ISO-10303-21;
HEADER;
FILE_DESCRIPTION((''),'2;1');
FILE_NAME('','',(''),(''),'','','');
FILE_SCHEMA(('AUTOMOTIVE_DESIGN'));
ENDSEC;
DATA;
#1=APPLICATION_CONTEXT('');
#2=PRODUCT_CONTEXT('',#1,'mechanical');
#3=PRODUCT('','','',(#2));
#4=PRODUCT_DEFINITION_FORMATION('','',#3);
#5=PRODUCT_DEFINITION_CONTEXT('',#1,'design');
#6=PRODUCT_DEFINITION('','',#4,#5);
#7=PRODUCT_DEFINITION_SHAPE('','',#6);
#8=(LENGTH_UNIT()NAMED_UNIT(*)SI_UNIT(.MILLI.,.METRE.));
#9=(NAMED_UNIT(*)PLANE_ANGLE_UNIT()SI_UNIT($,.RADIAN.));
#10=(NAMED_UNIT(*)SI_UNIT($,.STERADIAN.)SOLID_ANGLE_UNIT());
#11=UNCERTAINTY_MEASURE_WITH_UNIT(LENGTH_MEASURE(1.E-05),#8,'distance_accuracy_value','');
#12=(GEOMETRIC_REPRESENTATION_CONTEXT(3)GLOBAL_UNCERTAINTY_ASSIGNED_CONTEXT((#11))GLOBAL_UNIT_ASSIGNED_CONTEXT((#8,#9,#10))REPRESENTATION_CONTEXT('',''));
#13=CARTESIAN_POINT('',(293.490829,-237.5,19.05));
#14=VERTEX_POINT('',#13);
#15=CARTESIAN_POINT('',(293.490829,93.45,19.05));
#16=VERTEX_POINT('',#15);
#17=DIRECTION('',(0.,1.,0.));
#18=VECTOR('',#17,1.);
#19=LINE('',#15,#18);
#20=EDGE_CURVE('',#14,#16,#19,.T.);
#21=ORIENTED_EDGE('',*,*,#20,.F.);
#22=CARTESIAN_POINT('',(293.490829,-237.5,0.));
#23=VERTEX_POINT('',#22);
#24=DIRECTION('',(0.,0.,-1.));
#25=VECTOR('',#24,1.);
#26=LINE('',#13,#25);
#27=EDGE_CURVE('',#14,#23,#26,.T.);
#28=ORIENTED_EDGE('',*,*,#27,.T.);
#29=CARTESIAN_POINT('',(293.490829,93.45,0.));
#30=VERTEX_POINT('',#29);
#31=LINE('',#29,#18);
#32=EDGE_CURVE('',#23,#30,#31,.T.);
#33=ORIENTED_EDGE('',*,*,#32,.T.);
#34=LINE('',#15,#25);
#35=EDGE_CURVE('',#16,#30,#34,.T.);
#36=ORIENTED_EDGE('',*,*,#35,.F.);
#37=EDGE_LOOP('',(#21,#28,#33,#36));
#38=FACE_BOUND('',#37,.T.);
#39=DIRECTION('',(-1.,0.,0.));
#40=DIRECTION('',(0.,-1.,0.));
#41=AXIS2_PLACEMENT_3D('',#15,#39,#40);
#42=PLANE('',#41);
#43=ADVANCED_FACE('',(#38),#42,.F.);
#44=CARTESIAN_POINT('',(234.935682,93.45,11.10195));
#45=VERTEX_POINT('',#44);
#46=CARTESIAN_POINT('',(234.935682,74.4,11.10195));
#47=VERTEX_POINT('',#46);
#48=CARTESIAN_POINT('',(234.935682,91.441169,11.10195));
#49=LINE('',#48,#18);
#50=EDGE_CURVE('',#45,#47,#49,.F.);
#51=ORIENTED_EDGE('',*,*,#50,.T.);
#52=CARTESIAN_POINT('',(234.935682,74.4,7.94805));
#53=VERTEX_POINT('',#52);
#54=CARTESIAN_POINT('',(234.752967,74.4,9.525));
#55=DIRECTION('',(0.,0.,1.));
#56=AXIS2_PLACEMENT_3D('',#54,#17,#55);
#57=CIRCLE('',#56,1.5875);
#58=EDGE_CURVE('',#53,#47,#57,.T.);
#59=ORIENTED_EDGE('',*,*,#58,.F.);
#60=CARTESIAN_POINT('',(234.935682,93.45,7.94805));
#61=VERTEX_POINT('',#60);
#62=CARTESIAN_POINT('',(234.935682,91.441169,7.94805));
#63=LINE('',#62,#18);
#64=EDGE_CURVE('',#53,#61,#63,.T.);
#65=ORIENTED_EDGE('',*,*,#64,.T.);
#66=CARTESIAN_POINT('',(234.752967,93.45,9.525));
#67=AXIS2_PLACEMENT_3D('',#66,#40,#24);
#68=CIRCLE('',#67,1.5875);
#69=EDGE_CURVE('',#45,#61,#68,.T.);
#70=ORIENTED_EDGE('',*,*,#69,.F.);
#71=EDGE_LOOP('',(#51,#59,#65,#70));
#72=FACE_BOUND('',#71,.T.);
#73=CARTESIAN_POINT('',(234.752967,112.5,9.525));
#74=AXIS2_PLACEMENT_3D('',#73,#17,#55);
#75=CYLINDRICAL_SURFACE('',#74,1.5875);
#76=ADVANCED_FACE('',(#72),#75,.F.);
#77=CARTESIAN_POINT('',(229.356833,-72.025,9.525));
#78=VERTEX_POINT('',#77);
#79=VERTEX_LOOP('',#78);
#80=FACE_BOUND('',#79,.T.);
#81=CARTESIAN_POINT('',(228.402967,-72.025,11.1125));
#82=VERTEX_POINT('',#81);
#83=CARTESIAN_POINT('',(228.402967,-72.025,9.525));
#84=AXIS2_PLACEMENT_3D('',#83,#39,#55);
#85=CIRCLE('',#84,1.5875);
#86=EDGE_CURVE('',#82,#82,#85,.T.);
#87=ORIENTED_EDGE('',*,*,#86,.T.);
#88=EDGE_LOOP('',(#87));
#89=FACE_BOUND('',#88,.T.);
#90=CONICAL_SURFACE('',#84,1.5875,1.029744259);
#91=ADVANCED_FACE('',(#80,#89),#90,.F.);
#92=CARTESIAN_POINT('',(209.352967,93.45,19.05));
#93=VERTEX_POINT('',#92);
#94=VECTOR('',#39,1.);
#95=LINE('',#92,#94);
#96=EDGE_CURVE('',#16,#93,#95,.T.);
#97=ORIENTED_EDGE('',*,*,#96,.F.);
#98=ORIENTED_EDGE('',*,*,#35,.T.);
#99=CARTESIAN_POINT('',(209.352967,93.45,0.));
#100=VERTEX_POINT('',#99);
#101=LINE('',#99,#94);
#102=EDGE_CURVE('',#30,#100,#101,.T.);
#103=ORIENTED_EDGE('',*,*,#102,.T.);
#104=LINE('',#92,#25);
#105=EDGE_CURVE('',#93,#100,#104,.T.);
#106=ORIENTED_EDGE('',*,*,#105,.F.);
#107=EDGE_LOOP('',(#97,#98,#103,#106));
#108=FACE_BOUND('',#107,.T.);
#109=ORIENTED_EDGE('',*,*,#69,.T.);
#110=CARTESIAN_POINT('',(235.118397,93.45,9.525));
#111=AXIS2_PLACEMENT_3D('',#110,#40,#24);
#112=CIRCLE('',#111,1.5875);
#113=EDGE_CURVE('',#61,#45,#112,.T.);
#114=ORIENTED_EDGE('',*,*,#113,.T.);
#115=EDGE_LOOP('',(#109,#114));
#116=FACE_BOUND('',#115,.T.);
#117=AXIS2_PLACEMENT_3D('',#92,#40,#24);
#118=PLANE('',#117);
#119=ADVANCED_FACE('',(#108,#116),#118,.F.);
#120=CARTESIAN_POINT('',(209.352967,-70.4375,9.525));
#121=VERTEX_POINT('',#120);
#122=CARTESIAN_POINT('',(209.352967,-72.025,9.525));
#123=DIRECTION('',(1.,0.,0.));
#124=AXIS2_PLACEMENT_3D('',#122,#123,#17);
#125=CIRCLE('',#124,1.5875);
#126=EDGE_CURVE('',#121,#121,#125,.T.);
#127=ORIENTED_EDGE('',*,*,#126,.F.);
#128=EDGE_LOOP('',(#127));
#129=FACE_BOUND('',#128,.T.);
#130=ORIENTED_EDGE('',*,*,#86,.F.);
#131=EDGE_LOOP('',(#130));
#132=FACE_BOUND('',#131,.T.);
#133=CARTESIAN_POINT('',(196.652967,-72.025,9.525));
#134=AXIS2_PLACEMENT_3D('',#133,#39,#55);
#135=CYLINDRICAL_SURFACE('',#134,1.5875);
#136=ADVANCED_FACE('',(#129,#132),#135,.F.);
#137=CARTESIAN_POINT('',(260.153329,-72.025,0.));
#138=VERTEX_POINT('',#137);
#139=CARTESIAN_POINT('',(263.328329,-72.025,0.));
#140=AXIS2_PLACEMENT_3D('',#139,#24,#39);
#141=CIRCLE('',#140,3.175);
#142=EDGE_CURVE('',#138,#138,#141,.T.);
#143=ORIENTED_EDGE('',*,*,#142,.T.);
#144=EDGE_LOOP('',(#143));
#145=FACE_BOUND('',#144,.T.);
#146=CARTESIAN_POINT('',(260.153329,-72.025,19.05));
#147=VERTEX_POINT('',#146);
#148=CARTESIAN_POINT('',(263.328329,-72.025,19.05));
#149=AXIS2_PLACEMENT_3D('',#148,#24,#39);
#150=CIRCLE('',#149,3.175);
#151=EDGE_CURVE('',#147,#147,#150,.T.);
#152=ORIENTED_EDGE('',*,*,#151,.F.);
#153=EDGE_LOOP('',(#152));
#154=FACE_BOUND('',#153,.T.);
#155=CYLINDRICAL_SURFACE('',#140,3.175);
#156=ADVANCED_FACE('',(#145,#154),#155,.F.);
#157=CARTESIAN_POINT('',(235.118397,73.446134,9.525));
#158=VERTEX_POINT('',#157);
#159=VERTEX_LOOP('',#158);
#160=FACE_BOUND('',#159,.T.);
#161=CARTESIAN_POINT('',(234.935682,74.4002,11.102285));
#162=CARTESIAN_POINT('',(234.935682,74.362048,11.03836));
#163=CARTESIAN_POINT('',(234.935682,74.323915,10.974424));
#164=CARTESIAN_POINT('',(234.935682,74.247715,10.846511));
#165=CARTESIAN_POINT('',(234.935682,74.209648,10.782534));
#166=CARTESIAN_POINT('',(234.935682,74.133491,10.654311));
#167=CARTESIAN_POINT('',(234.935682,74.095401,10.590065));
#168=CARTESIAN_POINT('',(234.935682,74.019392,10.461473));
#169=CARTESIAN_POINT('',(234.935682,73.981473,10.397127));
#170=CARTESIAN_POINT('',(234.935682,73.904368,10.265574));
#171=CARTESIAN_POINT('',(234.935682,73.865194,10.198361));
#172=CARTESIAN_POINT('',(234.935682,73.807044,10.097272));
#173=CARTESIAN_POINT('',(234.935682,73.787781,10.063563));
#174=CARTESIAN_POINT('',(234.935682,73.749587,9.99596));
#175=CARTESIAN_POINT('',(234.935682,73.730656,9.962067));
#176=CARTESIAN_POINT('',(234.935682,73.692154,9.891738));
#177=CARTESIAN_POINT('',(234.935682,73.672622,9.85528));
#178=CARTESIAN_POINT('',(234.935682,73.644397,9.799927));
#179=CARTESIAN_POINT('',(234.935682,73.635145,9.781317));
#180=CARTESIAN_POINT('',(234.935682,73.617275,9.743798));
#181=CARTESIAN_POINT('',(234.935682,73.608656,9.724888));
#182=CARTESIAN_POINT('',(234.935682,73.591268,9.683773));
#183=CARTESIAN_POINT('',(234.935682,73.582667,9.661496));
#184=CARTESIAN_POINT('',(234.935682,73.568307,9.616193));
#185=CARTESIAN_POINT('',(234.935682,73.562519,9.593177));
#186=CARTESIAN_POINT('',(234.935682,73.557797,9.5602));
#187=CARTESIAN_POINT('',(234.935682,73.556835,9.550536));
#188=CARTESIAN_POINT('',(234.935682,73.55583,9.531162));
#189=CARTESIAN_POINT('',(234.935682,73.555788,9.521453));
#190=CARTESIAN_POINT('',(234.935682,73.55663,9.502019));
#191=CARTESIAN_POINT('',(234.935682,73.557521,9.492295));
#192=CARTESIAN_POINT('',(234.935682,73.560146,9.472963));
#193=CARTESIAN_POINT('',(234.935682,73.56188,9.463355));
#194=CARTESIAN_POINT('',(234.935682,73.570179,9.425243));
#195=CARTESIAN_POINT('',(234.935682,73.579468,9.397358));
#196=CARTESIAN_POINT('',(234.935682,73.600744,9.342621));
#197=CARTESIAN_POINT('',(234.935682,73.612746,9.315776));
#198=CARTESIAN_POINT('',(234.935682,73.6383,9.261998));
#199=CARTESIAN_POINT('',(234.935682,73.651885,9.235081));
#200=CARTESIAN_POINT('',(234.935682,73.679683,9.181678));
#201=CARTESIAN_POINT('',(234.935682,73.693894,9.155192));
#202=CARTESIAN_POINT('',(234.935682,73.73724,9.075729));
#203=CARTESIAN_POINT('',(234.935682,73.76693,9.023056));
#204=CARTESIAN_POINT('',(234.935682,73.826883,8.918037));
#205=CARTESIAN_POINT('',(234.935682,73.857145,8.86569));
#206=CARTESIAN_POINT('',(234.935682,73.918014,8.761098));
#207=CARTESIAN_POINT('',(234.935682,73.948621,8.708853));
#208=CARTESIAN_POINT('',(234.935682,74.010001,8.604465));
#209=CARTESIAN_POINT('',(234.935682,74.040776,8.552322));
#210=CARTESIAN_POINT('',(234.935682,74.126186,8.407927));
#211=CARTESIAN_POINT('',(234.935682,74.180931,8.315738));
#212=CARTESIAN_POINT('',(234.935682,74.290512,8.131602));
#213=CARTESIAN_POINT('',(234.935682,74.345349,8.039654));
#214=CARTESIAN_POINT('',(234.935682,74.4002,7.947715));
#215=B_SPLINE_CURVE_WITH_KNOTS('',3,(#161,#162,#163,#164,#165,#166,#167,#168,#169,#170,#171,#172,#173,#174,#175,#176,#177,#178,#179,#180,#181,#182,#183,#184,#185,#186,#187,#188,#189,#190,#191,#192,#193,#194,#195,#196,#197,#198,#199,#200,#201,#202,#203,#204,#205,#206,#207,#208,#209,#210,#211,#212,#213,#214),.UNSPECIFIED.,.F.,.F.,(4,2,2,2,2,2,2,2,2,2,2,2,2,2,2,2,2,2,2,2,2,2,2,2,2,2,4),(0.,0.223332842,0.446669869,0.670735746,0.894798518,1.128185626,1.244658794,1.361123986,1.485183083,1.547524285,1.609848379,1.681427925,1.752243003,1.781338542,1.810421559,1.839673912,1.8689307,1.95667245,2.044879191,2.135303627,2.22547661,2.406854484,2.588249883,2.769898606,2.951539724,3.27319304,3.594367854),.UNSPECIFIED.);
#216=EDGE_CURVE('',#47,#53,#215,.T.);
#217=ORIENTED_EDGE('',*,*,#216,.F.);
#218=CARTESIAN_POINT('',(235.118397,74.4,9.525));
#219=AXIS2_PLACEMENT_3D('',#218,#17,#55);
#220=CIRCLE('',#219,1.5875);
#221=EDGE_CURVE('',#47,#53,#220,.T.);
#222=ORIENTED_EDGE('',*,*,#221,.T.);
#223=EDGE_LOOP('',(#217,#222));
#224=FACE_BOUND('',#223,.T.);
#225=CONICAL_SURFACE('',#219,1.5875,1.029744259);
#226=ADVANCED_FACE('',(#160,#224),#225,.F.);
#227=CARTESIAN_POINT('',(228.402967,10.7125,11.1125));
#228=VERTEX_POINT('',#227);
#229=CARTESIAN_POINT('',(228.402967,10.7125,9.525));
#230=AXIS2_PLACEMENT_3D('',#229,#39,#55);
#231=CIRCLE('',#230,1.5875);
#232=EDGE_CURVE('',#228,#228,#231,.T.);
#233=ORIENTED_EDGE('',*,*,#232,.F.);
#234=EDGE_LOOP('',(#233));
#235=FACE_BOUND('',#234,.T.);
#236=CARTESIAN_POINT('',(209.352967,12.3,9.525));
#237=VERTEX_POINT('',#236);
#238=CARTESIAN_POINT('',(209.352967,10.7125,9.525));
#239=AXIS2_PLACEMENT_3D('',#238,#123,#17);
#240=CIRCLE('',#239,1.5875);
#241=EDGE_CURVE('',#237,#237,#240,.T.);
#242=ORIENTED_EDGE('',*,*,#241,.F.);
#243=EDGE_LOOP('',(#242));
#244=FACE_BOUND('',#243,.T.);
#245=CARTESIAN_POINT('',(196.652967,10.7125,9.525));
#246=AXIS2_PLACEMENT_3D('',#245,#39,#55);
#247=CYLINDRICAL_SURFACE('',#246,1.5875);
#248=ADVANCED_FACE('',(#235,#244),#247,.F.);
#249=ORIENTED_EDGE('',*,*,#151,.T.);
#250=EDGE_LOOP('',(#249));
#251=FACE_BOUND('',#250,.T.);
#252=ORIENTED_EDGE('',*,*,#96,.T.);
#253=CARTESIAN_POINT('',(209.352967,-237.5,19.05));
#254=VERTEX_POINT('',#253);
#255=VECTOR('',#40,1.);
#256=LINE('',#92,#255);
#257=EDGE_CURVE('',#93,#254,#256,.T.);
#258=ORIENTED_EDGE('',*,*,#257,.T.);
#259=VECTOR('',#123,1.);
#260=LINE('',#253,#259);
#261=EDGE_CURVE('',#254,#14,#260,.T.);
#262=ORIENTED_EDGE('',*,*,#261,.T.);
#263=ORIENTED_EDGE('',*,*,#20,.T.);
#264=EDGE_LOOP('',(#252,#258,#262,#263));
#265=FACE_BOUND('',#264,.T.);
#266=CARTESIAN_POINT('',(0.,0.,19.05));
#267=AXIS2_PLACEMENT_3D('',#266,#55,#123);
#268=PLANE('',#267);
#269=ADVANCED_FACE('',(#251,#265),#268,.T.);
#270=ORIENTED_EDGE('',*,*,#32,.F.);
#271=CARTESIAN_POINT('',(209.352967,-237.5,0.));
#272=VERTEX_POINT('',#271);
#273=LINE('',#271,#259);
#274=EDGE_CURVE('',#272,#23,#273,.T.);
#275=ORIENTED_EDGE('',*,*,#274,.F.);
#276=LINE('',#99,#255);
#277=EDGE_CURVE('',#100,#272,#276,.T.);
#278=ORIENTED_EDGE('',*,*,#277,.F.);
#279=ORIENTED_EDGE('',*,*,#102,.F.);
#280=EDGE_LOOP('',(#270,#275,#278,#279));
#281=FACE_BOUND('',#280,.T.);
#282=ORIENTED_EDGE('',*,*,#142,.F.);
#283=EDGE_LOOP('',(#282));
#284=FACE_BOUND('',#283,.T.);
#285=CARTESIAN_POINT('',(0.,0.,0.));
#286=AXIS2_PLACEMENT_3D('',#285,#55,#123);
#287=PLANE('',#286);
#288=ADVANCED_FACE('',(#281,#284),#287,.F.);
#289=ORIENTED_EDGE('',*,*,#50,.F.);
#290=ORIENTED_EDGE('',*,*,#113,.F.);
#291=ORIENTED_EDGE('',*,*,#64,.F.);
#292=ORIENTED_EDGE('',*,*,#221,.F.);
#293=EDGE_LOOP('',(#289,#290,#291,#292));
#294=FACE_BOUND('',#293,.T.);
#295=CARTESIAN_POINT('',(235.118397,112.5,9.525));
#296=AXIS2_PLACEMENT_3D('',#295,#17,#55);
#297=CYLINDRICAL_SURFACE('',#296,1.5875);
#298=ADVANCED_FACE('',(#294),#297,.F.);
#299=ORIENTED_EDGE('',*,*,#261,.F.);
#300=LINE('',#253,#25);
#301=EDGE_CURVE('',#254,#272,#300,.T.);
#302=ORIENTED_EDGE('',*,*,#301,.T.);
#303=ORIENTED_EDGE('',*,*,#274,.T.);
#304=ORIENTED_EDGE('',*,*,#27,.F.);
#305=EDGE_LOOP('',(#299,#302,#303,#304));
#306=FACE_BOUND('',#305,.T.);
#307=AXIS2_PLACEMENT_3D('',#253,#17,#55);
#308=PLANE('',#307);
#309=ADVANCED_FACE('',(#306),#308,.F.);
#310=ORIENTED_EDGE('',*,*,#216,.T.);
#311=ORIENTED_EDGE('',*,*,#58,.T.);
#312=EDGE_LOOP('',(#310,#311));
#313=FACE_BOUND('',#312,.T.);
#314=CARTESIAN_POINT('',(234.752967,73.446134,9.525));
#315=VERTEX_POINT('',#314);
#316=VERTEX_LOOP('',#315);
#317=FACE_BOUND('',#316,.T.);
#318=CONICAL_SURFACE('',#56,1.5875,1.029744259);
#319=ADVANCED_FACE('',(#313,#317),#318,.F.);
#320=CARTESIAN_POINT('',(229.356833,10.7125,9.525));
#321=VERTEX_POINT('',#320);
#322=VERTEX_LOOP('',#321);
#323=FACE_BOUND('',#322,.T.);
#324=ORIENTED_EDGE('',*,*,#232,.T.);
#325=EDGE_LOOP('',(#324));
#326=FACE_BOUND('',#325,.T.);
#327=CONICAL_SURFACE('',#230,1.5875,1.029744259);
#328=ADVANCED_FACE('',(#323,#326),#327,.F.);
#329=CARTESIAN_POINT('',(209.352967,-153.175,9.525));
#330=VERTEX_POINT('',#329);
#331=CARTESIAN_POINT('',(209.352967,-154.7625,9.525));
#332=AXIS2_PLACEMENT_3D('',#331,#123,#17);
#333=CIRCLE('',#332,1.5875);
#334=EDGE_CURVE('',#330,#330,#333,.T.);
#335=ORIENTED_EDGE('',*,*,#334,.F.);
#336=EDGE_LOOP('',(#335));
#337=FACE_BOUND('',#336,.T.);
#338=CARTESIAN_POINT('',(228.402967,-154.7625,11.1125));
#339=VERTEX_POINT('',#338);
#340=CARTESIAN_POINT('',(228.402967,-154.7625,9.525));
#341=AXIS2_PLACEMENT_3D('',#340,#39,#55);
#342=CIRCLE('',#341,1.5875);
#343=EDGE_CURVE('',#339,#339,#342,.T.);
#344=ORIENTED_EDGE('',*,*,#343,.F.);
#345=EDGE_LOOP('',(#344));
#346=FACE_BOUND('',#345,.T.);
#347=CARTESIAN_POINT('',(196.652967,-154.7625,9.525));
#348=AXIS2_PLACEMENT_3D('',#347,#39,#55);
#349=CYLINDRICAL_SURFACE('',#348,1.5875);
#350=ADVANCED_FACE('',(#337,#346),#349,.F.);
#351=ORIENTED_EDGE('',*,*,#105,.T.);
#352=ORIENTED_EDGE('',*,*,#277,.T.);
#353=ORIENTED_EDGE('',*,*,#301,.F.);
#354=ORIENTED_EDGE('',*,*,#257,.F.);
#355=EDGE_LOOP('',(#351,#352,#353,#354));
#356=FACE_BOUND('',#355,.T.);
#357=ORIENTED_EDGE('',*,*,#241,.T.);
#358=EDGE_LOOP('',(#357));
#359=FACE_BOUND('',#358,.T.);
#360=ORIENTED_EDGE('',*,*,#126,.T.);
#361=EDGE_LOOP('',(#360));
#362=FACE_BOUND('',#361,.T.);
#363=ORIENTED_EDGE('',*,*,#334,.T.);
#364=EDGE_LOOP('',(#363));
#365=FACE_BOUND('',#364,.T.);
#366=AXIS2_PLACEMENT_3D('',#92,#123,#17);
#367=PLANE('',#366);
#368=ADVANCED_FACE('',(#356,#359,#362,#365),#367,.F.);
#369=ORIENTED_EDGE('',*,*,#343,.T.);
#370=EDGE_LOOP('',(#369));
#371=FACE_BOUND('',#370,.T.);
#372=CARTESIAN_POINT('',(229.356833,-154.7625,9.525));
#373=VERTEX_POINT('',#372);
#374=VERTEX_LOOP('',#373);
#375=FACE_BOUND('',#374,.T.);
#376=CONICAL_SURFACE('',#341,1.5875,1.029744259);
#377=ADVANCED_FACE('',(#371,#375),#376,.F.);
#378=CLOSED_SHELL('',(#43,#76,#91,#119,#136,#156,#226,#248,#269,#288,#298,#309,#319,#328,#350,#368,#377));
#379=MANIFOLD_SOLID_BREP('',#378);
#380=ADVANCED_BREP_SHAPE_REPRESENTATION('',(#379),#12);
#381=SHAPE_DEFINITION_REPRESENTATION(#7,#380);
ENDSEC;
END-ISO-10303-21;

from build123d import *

# Parameters (mm, degrees)
SKETCH1_W                   = 84.137862113
SKETCH1_H                   = 330.949999988
BOSS_EXTRUDE1_DEPTH         = 19.05
HOLE1_D                     = 3.175
HOLE1_DEPTH                 = 31.75
HOLE1_CSINK_D               = 10.16
HOLE1_CSINK_ANGLE           = 82
HOLE1_TIP                   = 0.953866233
HOLE3_D                     = 3.175
HOLE3_DEPTH                 = 38.1
HOLE3_CSINK_D               = 10.16
HOLE3_CSINK_ANGLE           = 82
HOLE3_TIP                   = 0.953866233
F_1_4_0_25_DIAMETER_HOLE1_D = 6.35
HOLE4_D                     = 3.175
HOLE4_DEPTH                 = 31.75
HOLE4_CSINK_D               = 10.16
HOLE4_CSINK_ANGLE           = 82
HOLE4_TIP                   = 0.953866233
HOLE5_D                     = 3.175
HOLE5_DEPTH                 = 38.1
HOLE5_CSINK_D               = 10.16
HOLE5_CSINK_ANGLE           = 82
HOLE5_TIP                   = 0.953866233


with BuildPart() as part:
    # Sketch1 → Boss-Extrude1 (new body)
    with BuildSketch(Plane.XY):
        with Locations((251.421898238, -72.024999997)):
            Rectangle(SKETCH1_W, SKETCH1_H)
    extrude(amount=BOSS_EXTRUDE1_DEPTH)

    # Hole1
    with Locations(Plane(origin=(196.652967181, -72.024999997, 386.262770337), x_dir=(0, 1, 0), z_dir=(-1, 0, 0))):
        with Locations((174.999999994, 685.961004241), (174.999999994, 549.837259632), (174.999999994, 413.713515022), (81.549999997, 779.649723129), (81.549999997, 652.344645962), (62.499999997, 662.953402392), (62.499999997, 769.040966698), (-62.499999997, 769.040966698), (-62.499999997, 662.953402392), (-81.549999997, 652.344645962), (-81.549999997, 779.649723129), (-174.999999994, 413.713515022), (-174.999999994, 549.837259632), (-174.999999994, 685.961004241), (-82.737499997, 600.384620239), (0, 600.384620239), (82.737499997, 600.384620239), (0, 376.737770337), (-82.737499997, 376.737770337), (82.737499997, 376.737770337)):
            CounterSinkHole(HOLE1_D / 2, HOLE1_CSINK_D / 2, depth=HOLE1_DEPTH, counter_sink_angle=HOLE1_CSINK_ANGLE)
            with Locations((0, 0, -(HOLE1_DEPTH + HOLE1_TIP / 2))):  # 118° drill point
                Cone(0, HOLE1_D / 2, HOLE1_TIP, mode=Mode.SUBTRACT)

    # Hole3
    with Locations(Plane(origin=(-181.039434513, 112.499999997, 386.262770337), x_dir=(0.9271838545667855, -1.3196841813264566e-15, -0.37460659341591657), z_dir=(0, 1, 0))):
        with Locations((46.221112845, 113.488854888), (39.39759596, 37.945520226), (412.28786892, 80.423559293), (407.308516105, 25.297013484), (513.561319184, 161.164706775), (597.46020397, 127.267357003), (610.543339245, 159.649253123), (694.322923815, 367.011001477), (526.644454459, 193.546602895), (610.424039029, 400.908351249)):
            CounterSinkHole(HOLE3_D / 2, HOLE3_CSINK_D / 2, depth=HOLE3_DEPTH, counter_sink_angle=HOLE3_CSINK_ANGLE)
            with Locations((0, 0, -(HOLE3_DEPTH + HOLE3_TIP / 2))):  # 118° drill point
                Cone(0, HOLE3_D / 2, HOLE3_TIP, mode=Mode.SUBTRACT)

    # 1/4 (0.25) Diameter Hole1 (through all)
    with Locations(Plane(origin=(0, 0, 0), x_dir=(-1, 0, 0), z_dir=(0, 0, -1))):
        with Locations((-263.328329294, -72.024999997)):
            Hole(F_1_4_0_25_DIAMETER_HOLE1_D / 2)

    # Hole4
    with Locations(Plane(origin=(196.652967181, -72.024999997, 609.90962024), x_dir=(0, 1, 0), z_dir=(-1, 0, 0))):
        with Locations((174.999999994, 685.961004241), (174.999999994, 549.837259632), (174.999999994, 413.713515022), (81.549999997, 779.649723129), (81.549999997, 652.344645962), (62.499999997, 662.953402392), (62.499999997, 769.040966698), (-62.499999997, 769.040966698), (-62.499999997, 662.953402392), (-81.549999997, 652.344645962), (-81.549999997, 779.649723129), (-174.999999994, 413.713515022), (-174.999999994, 549.837259632), (-174.999999994, 685.961004241), (-82.737499997, 600.384620239), (0, 600.384620239), (82.737499997, 600.384620239), (0, 376.737770337), (-82.737499997, 376.737770337), (82.737499997, 376.737770337)):
            CounterSinkHole(HOLE4_D / 2, HOLE4_CSINK_D / 2, depth=HOLE4_DEPTH, counter_sink_angle=HOLE4_CSINK_ANGLE)
            with Locations((0, 0, -(HOLE4_DEPTH + HOLE4_TIP / 2))):  # 118° drill point
                Cone(0, HOLE4_D / 2, HOLE4_TIP, mode=Mode.SUBTRACT)

    # Hole5
    with Locations(Plane(origin=(-181.039434513, 112.499999997, 609.90962024), x_dir=(0.9271838545667913, -6.190403823971236e-15, -0.3746065934159023), z_dir=(0, 1, 0))):
        with Locations((46.221112845, 113.488854888), (39.39759596, 37.945520226), (412.28786892, 80.423559293), (407.308516105, 25.297013484), (513.561319184, 161.164706775), (597.46020397, 127.267357003), (610.413630265, 158.37956732), (694.652415845, 366.877878057), (526.881492954, 193.157790175), (610.762859894, 400.771458735)):
            CounterSinkHole(HOLE5_D / 2, HOLE5_CSINK_D / 2, depth=HOLE5_DEPTH, counter_sink_angle=HOLE5_CSINK_ANGLE)
            with Locations((0, 0, -(HOLE5_DEPTH + HOLE5_TIP / 2))):  # 118° drill point
                Cone(0, HOLE5_D / 2, HOLE5_TIP, mode=Mode.SUBTRACT)


solid = part.part
